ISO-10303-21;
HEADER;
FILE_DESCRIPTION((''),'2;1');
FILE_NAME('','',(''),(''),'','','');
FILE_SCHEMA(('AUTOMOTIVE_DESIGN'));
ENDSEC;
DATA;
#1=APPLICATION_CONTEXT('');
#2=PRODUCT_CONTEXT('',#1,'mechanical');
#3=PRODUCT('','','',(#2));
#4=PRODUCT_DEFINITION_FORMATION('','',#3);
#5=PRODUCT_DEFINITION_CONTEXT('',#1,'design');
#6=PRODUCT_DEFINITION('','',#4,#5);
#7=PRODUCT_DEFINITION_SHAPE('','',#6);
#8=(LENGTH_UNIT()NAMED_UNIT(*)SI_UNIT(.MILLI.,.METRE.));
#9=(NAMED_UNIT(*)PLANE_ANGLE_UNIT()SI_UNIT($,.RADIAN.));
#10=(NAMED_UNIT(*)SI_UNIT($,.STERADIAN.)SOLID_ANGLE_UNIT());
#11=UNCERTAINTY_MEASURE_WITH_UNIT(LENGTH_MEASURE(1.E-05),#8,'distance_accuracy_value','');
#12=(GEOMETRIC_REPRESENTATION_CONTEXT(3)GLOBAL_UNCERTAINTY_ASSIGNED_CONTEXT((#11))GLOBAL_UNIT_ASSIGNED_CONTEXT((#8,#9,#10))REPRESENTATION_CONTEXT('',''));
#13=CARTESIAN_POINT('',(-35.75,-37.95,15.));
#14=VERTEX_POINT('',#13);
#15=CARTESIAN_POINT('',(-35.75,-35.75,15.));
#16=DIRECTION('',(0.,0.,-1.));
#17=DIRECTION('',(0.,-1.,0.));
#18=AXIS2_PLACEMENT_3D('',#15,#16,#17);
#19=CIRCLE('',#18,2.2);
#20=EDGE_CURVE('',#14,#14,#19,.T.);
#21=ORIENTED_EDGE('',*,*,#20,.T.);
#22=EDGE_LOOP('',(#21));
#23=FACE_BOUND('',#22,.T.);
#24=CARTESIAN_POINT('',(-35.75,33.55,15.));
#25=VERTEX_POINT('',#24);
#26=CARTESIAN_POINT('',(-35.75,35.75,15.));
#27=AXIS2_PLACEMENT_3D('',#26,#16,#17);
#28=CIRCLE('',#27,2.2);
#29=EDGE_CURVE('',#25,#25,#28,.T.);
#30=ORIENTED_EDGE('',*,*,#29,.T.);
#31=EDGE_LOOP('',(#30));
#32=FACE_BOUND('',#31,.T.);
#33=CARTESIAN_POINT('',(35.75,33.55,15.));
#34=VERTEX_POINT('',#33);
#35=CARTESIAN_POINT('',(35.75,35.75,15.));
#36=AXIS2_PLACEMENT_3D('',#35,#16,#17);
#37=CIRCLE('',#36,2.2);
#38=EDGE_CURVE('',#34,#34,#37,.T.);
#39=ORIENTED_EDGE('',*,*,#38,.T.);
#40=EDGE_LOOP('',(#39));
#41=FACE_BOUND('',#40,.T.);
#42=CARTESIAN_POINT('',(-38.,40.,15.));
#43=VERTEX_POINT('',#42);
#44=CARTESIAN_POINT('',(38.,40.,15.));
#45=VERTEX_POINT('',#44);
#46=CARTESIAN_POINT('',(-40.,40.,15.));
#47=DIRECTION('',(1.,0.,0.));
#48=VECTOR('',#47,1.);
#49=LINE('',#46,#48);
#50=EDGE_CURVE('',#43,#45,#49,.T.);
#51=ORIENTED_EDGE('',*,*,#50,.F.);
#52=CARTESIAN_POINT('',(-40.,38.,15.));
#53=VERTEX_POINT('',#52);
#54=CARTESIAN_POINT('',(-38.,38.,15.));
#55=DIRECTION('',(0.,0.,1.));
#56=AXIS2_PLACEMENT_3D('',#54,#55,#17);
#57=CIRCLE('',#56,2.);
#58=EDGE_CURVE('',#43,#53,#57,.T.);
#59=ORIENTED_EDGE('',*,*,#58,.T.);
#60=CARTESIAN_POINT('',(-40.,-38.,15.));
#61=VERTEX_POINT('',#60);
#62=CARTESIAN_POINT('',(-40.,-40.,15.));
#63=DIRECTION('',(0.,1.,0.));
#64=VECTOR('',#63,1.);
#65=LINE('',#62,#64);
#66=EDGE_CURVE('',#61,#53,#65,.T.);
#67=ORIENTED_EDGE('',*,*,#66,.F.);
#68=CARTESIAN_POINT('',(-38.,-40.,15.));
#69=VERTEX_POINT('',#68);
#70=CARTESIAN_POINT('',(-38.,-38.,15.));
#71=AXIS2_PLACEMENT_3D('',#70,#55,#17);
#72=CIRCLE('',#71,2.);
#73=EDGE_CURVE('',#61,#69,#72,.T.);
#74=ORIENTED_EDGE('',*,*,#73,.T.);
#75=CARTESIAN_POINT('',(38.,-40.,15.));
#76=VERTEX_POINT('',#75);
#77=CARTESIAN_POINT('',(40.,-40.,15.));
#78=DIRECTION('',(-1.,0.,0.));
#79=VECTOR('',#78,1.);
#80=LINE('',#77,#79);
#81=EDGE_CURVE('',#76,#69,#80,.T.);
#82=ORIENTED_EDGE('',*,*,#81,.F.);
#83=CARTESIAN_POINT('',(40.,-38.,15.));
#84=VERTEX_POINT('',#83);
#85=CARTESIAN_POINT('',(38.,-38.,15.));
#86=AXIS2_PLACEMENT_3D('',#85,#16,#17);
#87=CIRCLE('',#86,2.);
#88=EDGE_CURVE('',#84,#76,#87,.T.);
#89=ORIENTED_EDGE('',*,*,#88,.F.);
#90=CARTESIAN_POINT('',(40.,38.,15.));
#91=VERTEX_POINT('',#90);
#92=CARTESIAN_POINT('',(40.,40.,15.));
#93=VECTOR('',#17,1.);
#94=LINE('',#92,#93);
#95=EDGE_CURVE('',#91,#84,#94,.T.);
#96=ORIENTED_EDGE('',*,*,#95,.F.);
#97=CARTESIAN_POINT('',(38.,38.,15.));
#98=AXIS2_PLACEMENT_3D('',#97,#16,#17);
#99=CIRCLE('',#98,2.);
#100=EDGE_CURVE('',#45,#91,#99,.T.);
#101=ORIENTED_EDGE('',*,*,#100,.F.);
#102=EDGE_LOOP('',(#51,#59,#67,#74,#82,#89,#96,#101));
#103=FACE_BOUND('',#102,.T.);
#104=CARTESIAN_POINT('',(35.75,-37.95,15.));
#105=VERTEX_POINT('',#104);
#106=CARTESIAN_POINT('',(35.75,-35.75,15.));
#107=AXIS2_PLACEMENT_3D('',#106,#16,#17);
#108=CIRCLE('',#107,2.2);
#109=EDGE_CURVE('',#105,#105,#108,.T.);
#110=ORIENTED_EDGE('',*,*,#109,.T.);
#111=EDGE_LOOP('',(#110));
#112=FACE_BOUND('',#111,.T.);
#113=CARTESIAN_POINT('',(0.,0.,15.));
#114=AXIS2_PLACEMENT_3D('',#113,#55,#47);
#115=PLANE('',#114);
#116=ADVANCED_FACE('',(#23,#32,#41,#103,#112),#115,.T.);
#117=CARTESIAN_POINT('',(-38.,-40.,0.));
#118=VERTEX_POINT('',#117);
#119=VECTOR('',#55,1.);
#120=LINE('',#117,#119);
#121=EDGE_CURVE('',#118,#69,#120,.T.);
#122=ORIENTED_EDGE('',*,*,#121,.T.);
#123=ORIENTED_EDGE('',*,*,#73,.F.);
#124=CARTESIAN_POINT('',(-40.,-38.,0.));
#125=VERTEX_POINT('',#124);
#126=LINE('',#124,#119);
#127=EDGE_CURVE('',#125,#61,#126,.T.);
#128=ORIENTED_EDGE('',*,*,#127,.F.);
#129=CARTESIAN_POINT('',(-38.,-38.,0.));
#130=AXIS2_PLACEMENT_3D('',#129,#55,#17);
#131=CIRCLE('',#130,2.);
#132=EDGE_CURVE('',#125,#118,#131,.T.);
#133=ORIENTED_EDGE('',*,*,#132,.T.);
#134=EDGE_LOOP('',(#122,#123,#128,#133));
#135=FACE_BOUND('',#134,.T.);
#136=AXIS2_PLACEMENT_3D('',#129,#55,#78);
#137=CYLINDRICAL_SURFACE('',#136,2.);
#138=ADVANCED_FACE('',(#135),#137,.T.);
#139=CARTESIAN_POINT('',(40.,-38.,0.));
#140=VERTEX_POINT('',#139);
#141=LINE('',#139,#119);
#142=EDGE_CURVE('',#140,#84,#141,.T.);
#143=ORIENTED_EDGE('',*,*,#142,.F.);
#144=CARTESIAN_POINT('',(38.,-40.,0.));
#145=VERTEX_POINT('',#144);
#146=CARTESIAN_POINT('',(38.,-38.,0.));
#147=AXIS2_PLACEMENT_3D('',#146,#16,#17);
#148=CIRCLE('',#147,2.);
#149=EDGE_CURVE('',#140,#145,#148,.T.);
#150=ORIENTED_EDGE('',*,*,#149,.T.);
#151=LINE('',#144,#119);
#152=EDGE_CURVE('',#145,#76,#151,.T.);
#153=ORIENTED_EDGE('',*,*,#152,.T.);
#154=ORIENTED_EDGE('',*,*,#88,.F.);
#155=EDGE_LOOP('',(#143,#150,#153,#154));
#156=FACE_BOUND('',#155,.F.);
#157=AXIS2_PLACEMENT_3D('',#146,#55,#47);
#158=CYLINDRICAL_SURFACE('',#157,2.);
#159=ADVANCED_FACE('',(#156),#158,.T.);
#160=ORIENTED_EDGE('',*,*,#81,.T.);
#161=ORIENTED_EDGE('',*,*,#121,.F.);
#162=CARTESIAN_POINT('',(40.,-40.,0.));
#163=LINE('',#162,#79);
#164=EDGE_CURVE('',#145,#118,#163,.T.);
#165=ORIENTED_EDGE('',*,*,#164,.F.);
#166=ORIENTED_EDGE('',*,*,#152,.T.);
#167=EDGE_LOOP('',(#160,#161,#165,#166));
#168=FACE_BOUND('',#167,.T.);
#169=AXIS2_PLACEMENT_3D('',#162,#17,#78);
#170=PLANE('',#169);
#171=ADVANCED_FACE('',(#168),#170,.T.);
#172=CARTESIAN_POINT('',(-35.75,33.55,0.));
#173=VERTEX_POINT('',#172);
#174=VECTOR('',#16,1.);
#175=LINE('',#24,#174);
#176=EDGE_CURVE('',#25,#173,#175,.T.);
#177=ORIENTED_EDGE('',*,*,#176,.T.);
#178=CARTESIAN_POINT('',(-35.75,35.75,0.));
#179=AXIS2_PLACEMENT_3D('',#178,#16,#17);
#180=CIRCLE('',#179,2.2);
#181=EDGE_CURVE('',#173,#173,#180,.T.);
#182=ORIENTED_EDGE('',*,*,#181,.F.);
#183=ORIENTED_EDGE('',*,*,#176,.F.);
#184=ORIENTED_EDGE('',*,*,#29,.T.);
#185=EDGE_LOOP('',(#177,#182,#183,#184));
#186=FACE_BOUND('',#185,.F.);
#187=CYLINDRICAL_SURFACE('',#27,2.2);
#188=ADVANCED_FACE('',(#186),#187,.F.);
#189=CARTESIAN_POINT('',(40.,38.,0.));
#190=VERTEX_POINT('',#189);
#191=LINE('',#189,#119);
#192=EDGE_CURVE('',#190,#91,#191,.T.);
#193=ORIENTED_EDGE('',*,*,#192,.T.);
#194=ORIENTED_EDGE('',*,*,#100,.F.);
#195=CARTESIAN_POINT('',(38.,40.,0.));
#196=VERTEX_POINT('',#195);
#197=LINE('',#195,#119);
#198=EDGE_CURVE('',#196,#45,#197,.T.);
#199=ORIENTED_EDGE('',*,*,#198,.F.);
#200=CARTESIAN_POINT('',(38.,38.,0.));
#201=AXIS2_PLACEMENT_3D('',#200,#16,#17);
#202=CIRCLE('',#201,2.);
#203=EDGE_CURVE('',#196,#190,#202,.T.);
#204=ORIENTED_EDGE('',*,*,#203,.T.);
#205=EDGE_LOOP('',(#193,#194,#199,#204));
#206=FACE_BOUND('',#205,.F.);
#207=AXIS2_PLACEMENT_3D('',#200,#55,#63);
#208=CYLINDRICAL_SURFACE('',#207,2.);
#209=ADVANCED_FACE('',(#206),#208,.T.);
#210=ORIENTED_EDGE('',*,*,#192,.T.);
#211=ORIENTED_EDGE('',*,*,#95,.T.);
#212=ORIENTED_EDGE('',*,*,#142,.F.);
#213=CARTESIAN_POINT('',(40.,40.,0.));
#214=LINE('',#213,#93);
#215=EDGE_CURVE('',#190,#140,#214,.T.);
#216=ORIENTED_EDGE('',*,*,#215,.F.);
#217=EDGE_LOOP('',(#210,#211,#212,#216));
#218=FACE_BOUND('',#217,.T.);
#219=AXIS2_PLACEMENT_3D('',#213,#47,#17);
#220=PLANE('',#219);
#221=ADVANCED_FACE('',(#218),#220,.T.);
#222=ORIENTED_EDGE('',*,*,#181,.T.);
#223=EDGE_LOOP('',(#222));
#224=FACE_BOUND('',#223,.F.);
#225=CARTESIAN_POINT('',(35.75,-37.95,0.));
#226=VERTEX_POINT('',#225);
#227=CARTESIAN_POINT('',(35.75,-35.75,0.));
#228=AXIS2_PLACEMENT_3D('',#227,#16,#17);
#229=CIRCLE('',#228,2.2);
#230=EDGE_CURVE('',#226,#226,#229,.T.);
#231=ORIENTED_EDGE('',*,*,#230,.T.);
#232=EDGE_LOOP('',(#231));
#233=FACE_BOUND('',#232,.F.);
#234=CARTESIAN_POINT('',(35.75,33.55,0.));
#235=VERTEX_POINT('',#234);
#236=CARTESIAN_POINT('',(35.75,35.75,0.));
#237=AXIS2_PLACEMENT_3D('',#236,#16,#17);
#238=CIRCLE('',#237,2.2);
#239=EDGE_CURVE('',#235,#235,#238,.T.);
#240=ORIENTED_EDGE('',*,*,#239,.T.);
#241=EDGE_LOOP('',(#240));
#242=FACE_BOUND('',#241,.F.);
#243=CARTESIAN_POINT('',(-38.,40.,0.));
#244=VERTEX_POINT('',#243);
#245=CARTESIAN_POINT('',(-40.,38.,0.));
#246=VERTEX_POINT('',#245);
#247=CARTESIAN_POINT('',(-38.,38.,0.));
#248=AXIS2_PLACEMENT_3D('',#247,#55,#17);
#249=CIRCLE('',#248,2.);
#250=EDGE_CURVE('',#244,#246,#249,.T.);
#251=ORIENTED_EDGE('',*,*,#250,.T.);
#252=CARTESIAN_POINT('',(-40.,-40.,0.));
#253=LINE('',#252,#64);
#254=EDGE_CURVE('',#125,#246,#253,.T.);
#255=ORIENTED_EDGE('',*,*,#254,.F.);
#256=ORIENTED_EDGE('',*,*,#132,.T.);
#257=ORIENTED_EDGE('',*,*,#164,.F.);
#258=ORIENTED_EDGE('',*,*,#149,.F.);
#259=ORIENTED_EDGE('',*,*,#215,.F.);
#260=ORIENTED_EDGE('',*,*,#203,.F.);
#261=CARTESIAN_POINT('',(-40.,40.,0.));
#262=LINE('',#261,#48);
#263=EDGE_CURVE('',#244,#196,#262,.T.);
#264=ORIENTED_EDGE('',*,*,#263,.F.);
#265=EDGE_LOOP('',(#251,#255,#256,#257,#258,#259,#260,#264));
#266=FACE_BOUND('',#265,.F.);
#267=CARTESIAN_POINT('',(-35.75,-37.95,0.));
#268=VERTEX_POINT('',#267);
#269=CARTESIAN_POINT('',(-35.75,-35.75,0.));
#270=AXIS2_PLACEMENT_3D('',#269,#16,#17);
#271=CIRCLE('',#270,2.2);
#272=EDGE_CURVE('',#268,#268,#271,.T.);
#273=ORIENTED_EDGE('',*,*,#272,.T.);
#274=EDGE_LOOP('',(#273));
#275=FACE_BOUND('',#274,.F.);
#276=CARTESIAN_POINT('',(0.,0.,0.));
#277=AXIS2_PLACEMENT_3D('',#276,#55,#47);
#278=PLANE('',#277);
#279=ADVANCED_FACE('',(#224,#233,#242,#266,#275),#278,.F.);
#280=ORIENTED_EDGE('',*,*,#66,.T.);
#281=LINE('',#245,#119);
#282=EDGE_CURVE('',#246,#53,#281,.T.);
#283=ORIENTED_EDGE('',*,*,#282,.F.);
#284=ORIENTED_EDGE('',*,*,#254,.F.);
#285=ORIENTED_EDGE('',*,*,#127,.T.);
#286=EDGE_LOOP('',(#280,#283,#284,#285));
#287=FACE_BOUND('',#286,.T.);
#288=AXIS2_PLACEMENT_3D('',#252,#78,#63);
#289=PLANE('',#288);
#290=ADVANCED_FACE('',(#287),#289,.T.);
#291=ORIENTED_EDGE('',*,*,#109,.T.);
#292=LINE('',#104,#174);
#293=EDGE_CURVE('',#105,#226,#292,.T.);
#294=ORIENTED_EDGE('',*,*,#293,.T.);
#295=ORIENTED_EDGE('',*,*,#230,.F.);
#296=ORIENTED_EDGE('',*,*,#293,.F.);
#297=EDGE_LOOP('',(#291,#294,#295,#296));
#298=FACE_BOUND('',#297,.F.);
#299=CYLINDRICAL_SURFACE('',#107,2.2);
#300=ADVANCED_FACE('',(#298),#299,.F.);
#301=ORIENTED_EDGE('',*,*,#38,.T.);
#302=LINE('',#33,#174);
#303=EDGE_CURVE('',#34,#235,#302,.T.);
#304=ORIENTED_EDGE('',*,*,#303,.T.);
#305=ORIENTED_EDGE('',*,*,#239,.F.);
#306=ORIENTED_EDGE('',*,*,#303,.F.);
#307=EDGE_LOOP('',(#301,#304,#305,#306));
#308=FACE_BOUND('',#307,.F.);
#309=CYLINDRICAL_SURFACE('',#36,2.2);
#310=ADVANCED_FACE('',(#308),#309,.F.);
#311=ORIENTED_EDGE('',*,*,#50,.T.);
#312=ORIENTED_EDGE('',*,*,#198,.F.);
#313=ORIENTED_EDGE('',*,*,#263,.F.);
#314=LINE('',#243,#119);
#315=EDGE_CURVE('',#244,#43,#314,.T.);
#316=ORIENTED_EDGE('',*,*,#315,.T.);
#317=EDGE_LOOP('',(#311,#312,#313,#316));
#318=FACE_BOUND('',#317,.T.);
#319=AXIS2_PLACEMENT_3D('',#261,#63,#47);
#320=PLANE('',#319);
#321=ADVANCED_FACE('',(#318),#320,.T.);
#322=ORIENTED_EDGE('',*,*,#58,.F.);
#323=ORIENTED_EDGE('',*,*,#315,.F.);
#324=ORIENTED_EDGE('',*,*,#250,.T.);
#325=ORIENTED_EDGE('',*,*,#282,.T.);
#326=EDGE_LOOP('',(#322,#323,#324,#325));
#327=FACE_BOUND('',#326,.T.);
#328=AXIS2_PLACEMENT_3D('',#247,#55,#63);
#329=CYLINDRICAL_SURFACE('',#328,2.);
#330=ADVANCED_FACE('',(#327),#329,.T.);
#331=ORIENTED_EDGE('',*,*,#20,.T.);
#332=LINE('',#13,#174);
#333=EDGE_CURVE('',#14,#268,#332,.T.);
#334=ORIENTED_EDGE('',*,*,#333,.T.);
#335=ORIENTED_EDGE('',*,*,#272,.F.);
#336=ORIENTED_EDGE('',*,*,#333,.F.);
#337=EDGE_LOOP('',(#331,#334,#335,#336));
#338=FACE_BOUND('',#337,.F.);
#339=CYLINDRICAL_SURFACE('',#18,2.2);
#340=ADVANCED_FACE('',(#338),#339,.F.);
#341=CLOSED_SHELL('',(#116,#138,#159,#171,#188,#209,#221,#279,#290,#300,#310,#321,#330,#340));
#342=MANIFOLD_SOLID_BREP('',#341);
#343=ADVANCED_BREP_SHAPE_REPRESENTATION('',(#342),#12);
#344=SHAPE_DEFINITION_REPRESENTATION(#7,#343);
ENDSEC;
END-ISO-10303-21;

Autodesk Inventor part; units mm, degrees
ref_plane "YZ Plane" through (0, 0, 0) normal (1, 0, 0) x (0, 1, 0)
ref_plane "XZ Plane" through (0, 0, 0) normal (0, 1, 0) x (-1, 0, 0)
ref_plane "XY Plane" through (0, 0, 0) normal (0, 0, 1) x (1, 0, 0)
sketch "Sketch1" plane through (0, 0, 0) normal (0, 0, 1) x (1, 0, 0)
  line L0 (-40, 40) -> (40, 40)
  line L1 (40, 40) -> (40, -40)
  line L2 (40, -40) -> (-40, -40)
  line L3 (-40, -40) -> (-40, 40)
  point P0 (0, 0)
  point P1 (0, 40)
  point P2 (-40, 0)
  dimension "d0" = 80
extrude "Extrusion1" add sketch "Sketch1" along normal blind 15
sketch "Sketch2" plane through (0, 0, 15) normal (0, 0, 1) x (1, 0, 0)
  line L0 (-35.75, 35.75) -> (35.75, 35.75)
  line L1 (35.75, 35.75) -> (35.75, -35.75)
  line L2 (35.75, -35.75) -> (-35.75, -35.75)
  line L3 (-35.75, -35.75) -> (-35.75, 35.75)
  point P0 (0, 0)
  point P1 (0, 35.75)
  point P2 (-35.75, 0)
  dimension "d3" = 71.5
hole "Hole1" at (-35.75, 35.75, 15) at (35.75, 35.75, 15) at (-35.75, -35.75, 15) at (35.75, -35.75, 15) direction (0, 0, -1) diameter 4.4 end through all
fillet "Fillet1" radius 2 4 edges at (-40, 40, 7.5) (40, 40, 7.5) (40, -40, 7.5) (-40, -40, 7.5)
properties part number "FAN SPACE MODEL"
